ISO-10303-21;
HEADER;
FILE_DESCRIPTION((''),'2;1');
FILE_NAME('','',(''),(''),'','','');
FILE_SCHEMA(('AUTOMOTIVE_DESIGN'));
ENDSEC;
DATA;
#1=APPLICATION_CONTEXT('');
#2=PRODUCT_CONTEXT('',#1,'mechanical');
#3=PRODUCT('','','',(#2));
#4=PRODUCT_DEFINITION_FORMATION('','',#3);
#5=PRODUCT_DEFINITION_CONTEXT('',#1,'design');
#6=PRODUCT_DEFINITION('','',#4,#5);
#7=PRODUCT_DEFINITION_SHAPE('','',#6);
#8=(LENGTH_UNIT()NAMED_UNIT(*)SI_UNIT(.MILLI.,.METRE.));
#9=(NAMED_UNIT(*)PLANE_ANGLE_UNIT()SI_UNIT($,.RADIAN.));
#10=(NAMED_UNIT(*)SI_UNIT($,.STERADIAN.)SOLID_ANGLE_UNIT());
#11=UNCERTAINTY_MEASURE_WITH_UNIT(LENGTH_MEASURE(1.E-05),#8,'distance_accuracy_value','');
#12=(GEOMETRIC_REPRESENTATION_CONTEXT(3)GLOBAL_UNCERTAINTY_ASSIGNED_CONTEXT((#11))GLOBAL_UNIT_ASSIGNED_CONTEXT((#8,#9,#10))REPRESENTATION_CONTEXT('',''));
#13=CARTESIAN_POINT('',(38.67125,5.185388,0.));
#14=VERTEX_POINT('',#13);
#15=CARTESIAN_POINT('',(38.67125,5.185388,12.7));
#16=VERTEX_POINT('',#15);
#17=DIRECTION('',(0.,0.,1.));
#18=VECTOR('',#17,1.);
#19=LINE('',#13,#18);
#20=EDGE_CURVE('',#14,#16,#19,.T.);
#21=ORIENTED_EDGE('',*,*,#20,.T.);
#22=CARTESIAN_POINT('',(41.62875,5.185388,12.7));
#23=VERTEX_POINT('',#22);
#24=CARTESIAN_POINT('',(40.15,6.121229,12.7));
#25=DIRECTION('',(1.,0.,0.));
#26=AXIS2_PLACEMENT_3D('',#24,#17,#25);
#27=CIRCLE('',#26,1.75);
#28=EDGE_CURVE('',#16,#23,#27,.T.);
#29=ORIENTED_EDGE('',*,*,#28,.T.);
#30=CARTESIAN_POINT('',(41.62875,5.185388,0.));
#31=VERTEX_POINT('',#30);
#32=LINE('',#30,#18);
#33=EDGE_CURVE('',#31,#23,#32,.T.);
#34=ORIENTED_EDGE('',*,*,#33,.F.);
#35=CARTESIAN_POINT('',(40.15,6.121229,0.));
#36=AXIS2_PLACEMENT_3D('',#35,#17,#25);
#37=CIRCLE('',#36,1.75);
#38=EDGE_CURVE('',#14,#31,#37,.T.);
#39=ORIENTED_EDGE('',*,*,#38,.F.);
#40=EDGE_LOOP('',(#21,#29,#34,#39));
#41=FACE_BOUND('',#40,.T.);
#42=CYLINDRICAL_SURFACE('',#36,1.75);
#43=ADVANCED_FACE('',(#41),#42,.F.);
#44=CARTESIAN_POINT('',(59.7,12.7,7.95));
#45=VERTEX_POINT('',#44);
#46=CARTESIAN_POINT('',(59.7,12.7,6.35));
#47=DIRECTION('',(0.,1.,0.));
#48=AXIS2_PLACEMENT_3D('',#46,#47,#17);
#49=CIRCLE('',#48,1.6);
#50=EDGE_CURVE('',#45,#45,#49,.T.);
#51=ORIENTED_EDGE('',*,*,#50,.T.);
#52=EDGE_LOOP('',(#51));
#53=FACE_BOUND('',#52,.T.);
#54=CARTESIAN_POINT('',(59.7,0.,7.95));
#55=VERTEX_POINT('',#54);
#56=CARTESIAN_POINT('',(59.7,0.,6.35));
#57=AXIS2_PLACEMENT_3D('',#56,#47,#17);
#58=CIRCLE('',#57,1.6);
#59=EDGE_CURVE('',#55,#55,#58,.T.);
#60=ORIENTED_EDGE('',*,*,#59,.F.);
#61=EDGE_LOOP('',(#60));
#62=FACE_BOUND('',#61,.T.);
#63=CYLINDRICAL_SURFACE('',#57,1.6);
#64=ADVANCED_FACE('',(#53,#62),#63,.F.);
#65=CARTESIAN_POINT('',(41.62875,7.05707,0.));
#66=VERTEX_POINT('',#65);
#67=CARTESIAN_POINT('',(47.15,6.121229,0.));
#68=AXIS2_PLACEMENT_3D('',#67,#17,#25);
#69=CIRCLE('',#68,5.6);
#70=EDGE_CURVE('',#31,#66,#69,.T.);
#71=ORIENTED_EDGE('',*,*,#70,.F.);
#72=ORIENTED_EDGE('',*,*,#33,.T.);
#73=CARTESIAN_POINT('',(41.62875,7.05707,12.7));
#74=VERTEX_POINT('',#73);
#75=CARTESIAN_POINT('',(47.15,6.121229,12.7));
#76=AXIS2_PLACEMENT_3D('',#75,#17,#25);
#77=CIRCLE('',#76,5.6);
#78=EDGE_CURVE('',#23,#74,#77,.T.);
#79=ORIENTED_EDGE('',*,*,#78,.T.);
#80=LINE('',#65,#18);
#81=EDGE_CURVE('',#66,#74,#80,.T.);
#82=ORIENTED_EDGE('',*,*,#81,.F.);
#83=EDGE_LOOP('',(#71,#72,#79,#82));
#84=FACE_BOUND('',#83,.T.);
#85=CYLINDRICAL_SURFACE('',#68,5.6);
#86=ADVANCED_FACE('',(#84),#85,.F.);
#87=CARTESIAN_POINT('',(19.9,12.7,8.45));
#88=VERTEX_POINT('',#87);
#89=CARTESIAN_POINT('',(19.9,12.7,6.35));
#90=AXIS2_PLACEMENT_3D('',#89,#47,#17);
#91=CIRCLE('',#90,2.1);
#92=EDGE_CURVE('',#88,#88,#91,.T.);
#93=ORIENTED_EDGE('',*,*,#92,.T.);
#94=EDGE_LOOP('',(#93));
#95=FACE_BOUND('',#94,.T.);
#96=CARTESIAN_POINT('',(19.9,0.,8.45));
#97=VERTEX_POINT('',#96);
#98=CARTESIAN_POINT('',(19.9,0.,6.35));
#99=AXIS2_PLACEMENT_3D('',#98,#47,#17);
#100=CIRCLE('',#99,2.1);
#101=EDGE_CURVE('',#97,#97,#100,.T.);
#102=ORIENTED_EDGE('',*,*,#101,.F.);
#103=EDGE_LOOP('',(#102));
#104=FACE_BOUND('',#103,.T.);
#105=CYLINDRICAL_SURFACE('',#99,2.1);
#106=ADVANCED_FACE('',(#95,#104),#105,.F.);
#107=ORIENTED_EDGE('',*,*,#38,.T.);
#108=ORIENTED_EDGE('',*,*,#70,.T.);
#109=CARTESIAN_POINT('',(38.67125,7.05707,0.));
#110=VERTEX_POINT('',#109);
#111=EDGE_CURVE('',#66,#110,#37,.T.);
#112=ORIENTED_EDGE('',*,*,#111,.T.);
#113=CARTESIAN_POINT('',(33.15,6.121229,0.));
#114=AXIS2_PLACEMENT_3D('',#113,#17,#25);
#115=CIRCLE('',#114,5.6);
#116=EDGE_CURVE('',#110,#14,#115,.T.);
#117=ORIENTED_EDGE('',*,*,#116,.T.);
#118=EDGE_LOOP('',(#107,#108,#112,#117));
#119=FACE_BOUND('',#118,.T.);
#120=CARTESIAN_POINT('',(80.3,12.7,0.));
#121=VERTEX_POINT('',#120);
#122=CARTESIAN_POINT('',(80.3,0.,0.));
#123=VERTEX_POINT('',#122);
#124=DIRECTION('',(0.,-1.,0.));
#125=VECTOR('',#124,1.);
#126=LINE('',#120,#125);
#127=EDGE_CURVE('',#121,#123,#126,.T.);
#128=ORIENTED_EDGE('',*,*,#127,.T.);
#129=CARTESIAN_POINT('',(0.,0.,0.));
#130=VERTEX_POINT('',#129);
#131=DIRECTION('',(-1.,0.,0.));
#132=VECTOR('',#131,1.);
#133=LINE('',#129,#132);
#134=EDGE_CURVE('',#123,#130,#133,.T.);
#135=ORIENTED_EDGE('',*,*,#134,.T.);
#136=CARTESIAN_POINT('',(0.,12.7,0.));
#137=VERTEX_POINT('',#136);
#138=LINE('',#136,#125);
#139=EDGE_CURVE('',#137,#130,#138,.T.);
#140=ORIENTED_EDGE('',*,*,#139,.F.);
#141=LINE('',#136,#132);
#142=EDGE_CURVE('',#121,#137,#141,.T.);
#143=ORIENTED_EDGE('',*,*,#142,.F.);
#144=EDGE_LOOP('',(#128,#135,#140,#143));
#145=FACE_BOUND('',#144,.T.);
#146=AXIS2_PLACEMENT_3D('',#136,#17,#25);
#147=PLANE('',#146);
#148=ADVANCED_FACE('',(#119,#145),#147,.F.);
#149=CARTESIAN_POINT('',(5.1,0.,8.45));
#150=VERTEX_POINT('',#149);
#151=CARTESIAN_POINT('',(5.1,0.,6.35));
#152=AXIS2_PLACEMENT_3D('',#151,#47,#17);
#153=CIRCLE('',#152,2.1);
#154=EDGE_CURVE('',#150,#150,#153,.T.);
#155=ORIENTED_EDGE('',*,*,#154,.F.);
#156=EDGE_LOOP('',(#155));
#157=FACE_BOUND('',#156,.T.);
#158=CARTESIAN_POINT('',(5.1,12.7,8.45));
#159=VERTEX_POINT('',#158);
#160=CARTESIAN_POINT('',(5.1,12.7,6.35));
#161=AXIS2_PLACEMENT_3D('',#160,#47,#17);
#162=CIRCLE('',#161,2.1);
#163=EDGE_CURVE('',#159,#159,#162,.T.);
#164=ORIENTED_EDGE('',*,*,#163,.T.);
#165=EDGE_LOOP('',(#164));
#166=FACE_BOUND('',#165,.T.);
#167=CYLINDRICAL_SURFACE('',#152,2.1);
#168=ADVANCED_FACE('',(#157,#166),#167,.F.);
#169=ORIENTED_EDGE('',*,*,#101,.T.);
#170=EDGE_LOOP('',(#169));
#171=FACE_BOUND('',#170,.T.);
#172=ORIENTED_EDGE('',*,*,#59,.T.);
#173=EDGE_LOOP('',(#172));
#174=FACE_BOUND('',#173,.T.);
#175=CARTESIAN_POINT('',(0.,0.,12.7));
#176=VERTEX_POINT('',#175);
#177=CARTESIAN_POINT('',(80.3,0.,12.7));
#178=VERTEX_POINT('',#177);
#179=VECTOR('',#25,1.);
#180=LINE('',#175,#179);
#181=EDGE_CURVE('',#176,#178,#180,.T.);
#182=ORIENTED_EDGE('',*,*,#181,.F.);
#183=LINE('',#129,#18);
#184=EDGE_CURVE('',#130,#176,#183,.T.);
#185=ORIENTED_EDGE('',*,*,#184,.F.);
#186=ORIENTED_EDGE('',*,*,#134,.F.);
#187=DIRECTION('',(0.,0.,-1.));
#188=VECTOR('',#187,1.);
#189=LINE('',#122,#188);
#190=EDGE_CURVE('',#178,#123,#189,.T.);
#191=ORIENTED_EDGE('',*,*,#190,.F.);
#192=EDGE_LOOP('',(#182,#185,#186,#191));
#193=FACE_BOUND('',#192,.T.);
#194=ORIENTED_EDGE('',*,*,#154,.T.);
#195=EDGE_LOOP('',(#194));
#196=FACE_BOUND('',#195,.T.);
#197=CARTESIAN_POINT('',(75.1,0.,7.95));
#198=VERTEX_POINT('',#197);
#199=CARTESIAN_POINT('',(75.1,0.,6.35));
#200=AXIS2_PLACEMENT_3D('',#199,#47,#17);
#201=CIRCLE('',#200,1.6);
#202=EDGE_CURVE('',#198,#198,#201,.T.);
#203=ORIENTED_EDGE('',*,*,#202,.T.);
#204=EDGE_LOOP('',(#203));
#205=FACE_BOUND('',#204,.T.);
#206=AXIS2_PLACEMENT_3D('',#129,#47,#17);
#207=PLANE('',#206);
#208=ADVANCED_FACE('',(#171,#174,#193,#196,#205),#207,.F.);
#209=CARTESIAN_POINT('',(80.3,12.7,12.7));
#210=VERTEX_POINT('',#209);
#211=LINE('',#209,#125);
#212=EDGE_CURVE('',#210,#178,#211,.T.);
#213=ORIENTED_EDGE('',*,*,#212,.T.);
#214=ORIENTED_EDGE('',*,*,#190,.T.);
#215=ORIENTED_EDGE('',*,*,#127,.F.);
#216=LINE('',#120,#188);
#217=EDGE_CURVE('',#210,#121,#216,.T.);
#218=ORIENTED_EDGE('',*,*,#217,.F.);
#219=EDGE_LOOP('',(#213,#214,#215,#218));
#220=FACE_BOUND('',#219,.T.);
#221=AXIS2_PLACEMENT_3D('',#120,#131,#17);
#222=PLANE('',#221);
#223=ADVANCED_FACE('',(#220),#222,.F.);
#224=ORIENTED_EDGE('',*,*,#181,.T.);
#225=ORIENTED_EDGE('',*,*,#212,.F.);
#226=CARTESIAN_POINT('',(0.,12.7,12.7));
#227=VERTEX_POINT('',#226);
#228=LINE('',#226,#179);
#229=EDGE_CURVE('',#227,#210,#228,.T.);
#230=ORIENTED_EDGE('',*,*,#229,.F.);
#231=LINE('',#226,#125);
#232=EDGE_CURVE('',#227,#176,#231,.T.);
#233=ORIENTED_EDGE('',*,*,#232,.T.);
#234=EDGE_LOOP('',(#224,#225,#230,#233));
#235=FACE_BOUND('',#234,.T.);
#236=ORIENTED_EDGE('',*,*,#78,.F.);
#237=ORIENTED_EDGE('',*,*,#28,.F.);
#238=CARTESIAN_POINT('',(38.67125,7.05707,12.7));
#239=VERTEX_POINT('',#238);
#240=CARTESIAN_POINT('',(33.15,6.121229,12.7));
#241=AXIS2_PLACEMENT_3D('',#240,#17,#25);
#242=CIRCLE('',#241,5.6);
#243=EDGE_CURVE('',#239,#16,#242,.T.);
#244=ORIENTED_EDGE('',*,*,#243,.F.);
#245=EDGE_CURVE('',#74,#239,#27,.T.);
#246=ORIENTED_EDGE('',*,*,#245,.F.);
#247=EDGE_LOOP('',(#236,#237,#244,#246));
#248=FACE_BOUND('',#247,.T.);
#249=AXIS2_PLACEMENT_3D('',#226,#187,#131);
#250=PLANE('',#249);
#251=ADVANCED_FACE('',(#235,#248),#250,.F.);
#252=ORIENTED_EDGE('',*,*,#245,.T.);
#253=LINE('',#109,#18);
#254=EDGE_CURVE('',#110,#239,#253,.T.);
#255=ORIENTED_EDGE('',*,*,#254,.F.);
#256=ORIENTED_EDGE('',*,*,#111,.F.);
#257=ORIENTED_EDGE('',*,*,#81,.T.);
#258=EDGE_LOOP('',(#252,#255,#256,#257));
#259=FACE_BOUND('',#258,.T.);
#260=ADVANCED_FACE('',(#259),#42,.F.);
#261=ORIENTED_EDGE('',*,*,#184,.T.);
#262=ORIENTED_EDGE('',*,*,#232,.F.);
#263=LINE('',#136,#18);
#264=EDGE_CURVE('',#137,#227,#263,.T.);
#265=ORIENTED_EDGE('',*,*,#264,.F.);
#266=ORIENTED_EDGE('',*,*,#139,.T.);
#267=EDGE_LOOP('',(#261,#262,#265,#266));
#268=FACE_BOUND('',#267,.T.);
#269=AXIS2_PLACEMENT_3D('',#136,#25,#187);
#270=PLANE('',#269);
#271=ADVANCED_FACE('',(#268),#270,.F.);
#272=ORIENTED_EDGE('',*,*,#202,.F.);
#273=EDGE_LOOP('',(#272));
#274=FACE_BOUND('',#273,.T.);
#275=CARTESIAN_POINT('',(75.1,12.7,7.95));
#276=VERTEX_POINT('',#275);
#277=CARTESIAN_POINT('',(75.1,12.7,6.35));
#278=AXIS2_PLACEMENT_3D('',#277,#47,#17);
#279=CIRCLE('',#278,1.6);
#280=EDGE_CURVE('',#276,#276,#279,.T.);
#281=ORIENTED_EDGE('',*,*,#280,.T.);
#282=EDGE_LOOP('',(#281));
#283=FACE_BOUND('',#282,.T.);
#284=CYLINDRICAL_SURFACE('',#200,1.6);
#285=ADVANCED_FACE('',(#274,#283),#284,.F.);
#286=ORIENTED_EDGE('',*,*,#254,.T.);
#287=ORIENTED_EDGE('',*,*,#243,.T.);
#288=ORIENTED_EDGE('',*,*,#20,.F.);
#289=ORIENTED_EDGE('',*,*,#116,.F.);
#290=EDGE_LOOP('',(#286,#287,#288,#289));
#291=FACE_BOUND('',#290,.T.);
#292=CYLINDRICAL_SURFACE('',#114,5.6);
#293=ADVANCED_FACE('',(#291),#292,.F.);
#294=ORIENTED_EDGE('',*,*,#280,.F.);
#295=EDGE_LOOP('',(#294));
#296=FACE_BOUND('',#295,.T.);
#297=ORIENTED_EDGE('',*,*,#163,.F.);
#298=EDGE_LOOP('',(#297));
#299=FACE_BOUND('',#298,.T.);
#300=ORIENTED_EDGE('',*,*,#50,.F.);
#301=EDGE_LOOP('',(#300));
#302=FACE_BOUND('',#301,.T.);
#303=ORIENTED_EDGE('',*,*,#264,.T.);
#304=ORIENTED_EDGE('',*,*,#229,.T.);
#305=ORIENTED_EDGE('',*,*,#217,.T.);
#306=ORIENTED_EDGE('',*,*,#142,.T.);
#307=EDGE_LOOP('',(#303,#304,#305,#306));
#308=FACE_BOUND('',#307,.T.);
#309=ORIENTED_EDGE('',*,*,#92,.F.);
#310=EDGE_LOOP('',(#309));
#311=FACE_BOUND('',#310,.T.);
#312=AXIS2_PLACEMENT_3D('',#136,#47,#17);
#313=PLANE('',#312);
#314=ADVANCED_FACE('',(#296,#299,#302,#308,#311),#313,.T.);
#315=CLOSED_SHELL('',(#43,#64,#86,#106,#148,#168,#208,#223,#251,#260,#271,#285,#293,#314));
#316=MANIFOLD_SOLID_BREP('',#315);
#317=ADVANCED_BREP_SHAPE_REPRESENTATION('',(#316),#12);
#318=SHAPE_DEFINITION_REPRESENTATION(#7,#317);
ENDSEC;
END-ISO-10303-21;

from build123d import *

# Parameters (mm, degrees)
ESQUISSE1_W             = 80.3
ESQUISSE1_H             = 12.7
BOSS_EXTRU_1_DEPTH      = 12.7
ESQUISSE2_R             = 2.1
ESQUISSE2_R_2           = 1.6
ENL_V_MAT_EXTRU_1_DEPTH = 12.7
ENL_V_MAT_EXTRU_2_DEPTH = 12.7


with BuildPart() as part:
    # Esquisse1 → Boss.-Extru.1 (new body)
    with BuildSketch(Plane(origin=(0, 0, 0), x_dir=(1, 0, 0), z_dir=(0, 1, 0))):
        with Locations((40.15, -6.35)):
            Rectangle(ESQUISSE1_W, ESQUISSE1_H)
    extrude(amount=BOSS_EXTRU_1_DEPTH)

    # Esquisse2 → Enlèv. mat.-Extru.1 (cut)
    with BuildSketch(Plane(origin=(0, 12.7, 0), x_dir=(1, 0, 0), z_dir=(0, 1, 0))):
        with Locations((5.1, -6.35)):
            Circle(ESQUISSE2_R)
        with Locations((19.9, -6.35)):
            Circle(ESQUISSE2_R)
        with Locations((59.7, -6.35)):
            Circle(ESQUISSE2_R_2)
        with Locations((75.1, -6.35)):
            Circle(ESQUISSE2_R_2)
    extrude(amount=-ENL_V_MAT_EXTRU_1_DEPTH, mode=Mode.SUBTRACT)

    # Esquisse3 → Enlèv. mat.-Extru.2 (cut)
    with BuildSketch(Plane.XY.offset(12.7)):
        with BuildLine():
            ThreePointArc((38.67125, 7.057070345), (27.55, 6.121229313), (38.67125, 5.185388281))
            ThreePointArc((38.67125, 5.185388281), (40.15, 4.371229313), (41.62875, 5.185388281))
            ThreePointArc((41.62875, 5.185388281), (52.75, 6.121229313), (41.62875, 7.057070345))
            ThreePointArc((41.62875, 7.057070345), (40.15, 7.871229313), (38.67125, 7.057070345))
        make_face()
    extrude(amount=-ENL_V_MAT_EXTRU_2_DEPTH, mode=Mode.SUBTRACT)


solid = part.part
